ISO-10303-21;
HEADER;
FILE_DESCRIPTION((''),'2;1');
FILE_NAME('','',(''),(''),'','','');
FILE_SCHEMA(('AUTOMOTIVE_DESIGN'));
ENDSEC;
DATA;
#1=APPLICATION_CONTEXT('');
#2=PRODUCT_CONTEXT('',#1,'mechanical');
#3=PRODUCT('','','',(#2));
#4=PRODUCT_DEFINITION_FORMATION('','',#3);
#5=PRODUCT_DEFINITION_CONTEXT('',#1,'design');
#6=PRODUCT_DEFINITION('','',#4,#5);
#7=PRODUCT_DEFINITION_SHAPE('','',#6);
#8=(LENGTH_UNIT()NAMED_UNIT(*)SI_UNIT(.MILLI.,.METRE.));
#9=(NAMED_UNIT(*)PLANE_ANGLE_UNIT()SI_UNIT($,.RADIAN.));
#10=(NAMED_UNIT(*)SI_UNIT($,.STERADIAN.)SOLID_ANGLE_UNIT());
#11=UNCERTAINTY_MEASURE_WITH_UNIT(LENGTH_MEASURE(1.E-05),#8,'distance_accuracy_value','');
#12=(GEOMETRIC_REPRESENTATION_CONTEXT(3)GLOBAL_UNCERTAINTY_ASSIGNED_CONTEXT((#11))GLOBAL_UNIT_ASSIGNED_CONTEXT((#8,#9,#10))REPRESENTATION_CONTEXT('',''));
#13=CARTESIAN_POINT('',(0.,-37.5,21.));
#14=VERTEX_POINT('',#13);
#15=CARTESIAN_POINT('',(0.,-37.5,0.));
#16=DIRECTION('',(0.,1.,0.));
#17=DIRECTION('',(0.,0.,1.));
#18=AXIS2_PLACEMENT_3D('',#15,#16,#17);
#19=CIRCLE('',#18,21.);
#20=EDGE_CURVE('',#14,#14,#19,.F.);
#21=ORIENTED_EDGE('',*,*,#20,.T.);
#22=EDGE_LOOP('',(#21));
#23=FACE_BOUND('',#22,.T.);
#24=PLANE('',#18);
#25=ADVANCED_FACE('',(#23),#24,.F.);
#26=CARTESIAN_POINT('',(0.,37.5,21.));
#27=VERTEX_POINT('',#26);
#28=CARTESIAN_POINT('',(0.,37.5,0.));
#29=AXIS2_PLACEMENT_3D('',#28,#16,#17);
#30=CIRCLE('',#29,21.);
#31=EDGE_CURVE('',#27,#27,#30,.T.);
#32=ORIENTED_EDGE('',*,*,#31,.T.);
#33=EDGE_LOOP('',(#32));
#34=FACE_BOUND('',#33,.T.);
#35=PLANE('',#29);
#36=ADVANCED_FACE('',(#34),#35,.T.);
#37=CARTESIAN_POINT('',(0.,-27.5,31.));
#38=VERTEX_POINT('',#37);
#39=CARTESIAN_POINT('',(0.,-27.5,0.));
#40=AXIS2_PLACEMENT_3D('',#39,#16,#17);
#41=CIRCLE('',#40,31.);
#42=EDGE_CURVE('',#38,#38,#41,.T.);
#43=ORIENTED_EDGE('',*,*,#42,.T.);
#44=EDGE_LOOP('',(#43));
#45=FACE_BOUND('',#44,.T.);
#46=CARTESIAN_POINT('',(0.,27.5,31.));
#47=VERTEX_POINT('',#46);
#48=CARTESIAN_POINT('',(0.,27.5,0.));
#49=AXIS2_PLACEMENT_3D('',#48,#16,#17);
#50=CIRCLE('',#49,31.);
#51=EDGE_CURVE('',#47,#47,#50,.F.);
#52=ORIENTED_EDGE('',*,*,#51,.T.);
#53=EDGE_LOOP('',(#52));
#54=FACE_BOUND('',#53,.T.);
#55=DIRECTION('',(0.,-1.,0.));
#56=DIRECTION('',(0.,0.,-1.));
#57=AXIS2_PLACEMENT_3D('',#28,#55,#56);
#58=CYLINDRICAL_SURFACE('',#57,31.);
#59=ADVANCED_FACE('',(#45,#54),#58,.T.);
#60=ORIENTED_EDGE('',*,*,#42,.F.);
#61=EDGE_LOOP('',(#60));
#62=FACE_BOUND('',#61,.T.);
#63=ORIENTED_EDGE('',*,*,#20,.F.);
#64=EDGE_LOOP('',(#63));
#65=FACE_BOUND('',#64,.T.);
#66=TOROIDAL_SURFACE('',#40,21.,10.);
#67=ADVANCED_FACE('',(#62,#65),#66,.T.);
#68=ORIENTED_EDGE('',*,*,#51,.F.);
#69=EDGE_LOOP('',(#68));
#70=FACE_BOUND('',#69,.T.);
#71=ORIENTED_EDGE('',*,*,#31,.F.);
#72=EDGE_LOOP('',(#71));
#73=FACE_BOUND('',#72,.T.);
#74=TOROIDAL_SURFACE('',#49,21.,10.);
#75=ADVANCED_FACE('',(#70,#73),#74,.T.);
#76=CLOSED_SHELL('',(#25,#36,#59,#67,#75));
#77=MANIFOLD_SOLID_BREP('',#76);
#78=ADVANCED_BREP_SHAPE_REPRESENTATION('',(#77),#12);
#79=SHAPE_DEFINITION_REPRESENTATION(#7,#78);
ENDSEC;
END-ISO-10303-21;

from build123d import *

# Parameters (mm, degrees)
SKIZZE1_R                       = 31
AUFSATZ_LINEAR_AUSTRAGEN1_DEPTH = 37.5
VERRUNDUNG1_R                   = 10


with BuildPart() as part:
    # Skizze1 → Aufsatz-Linear austragen1 (new body, symmetric)
    with BuildSketch(Plane(origin=(0, 0, 0), x_dir=(1, 0, 0), z_dir=(0, 1, 0))):
        Circle(SKIZZE1_R)
    extrude(amount=AUFSATZ_LINEAR_AUSTRAGEN1_DEPTH, both=True)

    # Verrundung1
    verrundung1_edges = [part.edges().sort_by_distance(p)[0] for p in [
        (-31, -37.5, 0),
        (-31, 37.5, 0),
    ]]
    fillet(verrundung1_edges, radius=VERRUNDUNG1_R)


solid = part.part
